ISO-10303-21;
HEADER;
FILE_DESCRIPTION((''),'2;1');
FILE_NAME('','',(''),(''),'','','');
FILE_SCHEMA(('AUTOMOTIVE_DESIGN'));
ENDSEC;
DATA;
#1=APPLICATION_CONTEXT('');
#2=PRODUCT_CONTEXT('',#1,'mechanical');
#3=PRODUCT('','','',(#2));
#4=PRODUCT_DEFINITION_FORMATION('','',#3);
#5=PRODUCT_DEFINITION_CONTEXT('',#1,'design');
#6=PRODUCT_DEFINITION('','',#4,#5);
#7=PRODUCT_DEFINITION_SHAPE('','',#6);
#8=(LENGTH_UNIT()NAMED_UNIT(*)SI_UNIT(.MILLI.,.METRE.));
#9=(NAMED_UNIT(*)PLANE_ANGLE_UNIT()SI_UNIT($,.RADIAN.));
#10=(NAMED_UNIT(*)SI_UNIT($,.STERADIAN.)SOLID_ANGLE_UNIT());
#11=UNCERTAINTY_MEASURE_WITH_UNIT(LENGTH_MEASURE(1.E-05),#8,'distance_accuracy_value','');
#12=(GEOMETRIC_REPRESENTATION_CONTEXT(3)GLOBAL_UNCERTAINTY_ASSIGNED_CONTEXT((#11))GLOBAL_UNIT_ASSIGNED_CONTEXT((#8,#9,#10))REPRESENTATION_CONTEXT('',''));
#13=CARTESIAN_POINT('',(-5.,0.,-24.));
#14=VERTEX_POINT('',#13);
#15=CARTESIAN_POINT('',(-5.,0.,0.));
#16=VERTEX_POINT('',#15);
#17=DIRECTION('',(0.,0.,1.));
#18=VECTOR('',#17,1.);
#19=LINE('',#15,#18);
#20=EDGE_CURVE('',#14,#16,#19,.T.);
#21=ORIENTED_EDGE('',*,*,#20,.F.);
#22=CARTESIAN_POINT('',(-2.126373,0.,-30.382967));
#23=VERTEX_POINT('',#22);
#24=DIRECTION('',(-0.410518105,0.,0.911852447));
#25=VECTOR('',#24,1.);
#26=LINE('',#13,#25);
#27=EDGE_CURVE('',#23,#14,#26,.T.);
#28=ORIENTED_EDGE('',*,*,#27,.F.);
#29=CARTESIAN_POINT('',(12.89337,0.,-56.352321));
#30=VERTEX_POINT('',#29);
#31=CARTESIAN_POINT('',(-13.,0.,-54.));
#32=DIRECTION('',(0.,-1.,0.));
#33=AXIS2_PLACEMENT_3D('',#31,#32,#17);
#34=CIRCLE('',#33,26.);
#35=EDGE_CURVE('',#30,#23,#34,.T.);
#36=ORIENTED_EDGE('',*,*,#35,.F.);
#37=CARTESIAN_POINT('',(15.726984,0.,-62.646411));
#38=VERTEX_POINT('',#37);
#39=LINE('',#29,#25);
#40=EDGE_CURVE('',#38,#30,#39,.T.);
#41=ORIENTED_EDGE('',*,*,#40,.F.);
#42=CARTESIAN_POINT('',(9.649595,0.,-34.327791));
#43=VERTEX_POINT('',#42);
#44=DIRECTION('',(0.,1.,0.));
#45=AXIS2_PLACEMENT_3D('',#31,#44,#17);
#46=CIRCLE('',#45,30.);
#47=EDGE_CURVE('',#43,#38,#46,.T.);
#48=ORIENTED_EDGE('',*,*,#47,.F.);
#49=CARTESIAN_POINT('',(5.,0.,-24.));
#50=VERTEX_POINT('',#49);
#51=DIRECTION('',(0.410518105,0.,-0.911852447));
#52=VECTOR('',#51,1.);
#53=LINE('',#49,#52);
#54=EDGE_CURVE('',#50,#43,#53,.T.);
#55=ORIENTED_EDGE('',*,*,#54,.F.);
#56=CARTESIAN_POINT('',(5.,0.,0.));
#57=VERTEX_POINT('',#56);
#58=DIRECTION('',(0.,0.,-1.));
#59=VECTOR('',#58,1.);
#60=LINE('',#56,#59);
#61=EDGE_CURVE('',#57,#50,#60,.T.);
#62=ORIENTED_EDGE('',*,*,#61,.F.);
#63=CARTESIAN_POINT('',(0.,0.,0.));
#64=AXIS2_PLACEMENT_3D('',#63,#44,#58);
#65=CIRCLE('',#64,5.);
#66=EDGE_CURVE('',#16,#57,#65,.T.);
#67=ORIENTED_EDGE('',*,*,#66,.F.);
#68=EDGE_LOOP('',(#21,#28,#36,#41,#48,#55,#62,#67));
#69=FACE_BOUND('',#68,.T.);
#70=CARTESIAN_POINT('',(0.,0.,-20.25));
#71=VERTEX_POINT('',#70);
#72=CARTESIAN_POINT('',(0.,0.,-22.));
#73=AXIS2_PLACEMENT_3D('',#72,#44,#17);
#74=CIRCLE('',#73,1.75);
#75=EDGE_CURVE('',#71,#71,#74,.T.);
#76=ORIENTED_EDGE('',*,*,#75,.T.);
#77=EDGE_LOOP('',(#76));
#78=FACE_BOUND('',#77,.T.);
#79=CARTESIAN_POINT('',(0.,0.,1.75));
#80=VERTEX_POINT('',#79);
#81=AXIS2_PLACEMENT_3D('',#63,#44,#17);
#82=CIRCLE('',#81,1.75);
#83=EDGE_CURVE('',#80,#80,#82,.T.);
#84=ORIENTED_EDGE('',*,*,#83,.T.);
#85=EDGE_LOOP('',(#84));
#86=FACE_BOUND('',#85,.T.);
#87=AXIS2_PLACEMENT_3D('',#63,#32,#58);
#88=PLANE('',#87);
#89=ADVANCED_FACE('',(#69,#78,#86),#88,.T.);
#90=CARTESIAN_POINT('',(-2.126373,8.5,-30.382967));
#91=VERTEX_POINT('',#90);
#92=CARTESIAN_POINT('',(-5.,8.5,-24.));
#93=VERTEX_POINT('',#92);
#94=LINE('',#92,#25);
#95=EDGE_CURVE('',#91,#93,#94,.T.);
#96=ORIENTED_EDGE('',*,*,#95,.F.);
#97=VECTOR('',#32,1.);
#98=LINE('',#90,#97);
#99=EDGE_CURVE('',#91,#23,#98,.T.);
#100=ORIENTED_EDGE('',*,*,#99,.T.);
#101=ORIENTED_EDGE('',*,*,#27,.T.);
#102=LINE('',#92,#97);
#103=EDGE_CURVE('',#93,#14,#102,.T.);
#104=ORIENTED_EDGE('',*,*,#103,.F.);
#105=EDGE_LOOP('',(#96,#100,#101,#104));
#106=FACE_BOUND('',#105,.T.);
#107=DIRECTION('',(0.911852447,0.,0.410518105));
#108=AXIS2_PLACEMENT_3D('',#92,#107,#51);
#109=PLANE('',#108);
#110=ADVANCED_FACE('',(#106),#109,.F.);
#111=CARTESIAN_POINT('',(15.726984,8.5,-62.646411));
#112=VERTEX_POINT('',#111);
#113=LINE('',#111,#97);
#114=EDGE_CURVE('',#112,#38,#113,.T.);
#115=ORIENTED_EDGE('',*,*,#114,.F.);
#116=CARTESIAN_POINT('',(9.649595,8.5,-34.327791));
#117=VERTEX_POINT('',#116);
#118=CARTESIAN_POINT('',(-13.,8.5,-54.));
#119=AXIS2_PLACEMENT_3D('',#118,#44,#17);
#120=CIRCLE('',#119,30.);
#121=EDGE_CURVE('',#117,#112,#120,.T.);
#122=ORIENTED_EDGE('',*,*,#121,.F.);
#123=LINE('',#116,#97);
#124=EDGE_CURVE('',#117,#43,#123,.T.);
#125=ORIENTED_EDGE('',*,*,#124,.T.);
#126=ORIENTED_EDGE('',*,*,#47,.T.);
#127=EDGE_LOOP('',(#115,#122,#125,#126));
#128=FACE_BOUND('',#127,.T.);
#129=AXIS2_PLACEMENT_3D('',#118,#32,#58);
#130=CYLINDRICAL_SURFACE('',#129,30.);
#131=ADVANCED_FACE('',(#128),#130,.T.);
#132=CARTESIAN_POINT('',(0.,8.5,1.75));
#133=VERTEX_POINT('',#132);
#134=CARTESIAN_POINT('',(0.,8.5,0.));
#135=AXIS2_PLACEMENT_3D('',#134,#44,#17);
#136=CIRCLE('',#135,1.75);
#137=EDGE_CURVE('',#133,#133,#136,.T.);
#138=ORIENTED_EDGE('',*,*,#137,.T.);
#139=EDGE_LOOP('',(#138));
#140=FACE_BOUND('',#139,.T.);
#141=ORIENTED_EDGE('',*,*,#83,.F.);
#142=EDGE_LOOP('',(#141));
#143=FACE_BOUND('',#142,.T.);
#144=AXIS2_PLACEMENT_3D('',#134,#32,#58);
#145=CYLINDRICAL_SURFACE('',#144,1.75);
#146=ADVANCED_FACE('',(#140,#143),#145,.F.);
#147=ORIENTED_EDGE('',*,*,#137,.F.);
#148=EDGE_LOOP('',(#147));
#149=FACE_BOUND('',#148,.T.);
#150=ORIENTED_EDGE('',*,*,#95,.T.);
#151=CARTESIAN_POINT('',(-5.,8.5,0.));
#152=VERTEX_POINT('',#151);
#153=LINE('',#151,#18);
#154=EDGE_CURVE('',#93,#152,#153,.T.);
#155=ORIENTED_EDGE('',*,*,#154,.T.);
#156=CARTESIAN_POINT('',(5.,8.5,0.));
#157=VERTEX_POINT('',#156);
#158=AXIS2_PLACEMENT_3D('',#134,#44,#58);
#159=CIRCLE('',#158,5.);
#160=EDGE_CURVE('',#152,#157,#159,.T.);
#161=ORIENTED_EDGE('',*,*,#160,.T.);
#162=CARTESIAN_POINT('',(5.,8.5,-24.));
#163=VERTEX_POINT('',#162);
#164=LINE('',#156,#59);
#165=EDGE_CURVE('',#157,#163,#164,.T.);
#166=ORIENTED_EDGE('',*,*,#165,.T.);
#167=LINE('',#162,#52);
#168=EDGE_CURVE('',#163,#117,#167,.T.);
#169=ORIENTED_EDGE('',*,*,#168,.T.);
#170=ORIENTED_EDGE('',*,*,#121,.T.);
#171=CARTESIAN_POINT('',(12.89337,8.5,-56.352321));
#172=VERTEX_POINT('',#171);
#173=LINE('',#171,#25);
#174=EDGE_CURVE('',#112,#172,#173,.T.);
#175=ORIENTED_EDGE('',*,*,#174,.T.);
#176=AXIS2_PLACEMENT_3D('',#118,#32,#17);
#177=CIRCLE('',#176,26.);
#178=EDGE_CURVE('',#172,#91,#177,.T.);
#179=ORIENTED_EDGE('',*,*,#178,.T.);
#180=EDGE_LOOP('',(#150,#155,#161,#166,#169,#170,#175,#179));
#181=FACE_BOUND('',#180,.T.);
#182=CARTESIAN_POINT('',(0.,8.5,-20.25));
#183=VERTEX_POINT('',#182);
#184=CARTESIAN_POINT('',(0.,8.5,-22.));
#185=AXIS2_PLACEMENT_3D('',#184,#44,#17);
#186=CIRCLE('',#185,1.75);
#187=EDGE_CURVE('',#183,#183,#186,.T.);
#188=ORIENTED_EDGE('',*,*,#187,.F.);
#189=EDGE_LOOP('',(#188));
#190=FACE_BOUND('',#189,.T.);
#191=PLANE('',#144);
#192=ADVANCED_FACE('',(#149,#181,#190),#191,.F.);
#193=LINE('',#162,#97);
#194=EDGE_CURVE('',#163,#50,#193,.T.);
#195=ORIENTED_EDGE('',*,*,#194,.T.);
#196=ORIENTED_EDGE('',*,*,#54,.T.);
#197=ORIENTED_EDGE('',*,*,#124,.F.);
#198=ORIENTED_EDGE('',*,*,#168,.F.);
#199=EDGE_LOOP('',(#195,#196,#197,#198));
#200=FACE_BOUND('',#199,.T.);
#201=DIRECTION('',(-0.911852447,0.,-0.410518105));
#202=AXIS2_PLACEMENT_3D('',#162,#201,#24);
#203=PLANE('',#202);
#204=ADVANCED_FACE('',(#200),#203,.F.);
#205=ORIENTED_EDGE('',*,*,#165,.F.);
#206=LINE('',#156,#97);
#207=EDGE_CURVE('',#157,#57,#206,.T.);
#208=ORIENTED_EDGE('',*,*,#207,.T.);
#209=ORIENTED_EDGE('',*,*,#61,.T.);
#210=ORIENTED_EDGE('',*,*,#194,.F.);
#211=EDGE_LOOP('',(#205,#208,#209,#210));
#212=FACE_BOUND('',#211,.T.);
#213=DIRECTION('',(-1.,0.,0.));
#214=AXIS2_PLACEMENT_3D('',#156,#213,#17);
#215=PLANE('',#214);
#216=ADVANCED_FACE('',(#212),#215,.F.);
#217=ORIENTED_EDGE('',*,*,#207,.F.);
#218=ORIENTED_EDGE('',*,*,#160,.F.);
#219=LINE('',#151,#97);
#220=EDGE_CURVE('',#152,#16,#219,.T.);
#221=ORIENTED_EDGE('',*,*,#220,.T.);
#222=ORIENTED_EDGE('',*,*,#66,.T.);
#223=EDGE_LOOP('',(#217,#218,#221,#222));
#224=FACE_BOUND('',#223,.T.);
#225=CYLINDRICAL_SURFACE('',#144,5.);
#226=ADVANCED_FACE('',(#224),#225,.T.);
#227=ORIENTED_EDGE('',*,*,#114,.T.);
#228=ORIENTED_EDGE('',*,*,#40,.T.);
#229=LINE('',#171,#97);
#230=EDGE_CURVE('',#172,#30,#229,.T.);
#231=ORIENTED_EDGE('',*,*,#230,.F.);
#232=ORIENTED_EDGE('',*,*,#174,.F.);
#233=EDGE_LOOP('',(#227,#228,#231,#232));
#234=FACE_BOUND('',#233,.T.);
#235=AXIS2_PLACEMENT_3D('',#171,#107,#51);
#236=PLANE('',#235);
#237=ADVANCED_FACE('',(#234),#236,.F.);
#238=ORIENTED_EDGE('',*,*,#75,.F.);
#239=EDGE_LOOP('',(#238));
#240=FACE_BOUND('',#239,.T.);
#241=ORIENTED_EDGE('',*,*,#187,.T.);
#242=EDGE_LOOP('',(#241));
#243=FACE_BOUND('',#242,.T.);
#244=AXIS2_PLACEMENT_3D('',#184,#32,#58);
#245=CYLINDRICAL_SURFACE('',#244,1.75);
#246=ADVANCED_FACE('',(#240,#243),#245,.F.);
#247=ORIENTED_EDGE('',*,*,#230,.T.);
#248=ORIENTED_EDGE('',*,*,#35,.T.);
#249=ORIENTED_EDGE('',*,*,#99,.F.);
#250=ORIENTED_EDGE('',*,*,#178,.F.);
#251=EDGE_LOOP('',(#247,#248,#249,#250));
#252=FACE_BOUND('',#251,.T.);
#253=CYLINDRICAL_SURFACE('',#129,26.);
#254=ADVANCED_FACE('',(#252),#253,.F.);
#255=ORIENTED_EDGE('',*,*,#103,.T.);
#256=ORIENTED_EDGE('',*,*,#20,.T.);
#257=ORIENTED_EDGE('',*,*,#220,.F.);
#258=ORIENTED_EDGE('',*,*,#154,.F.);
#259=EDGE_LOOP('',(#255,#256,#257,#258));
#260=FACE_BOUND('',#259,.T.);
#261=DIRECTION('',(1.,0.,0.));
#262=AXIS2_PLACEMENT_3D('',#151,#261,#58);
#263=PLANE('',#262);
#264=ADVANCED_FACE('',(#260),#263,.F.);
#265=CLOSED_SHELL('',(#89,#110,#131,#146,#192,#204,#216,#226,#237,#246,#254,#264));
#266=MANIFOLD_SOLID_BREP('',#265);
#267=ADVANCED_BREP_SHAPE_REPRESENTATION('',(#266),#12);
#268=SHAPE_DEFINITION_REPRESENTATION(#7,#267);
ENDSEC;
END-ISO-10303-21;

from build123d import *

# Parameters (mm, degrees)
SKETCH_1_R      = 1.75
EXTRUDE_1_DEPTH = 8.5


with BuildPart() as part:
    # 草图1 → 凸台-拉伸1 (new body)
    with BuildSketch(Plane(origin=(0, 0, 0), x_dir=(1, 0, 0), z_dir=(0, 1, 0))):
        with BuildLine():
            Line((-5, 0), (-5, 24))
            Line((-5, 24), (-2.126373263, 30.38296713))
            ThreePointArc((-2.126373263, 30.38296713), (9.506773104, 40.982889551), (12.893369562, 56.352320712))
            Line((12.893369562, 56.352320712), (15.726983551, 62.646410588))
            ThreePointArc((15.726983551, 62.646410588), (16.332137294, 47.705103516), (9.649595461, 34.32779053))
            Line((9.649595461, 34.32779053), (5, 24))
            Line((5, 24), (5, 0))
            ThreePointArc((5, 0), (0, -5), (-5, 0))
        make_face()
        with Locations(Location((0, 0, 0), (0, 0, 270))):
            Circle(SKETCH_1_R, mode=Mode.SUBTRACT)
        with Locations(Location((0, 22, 0), (0, 0, 270))):
            Circle(SKETCH_1_R, mode=Mode.SUBTRACT)
    extrude(amount=EXTRUDE_1_DEPTH)


solid = part.part
